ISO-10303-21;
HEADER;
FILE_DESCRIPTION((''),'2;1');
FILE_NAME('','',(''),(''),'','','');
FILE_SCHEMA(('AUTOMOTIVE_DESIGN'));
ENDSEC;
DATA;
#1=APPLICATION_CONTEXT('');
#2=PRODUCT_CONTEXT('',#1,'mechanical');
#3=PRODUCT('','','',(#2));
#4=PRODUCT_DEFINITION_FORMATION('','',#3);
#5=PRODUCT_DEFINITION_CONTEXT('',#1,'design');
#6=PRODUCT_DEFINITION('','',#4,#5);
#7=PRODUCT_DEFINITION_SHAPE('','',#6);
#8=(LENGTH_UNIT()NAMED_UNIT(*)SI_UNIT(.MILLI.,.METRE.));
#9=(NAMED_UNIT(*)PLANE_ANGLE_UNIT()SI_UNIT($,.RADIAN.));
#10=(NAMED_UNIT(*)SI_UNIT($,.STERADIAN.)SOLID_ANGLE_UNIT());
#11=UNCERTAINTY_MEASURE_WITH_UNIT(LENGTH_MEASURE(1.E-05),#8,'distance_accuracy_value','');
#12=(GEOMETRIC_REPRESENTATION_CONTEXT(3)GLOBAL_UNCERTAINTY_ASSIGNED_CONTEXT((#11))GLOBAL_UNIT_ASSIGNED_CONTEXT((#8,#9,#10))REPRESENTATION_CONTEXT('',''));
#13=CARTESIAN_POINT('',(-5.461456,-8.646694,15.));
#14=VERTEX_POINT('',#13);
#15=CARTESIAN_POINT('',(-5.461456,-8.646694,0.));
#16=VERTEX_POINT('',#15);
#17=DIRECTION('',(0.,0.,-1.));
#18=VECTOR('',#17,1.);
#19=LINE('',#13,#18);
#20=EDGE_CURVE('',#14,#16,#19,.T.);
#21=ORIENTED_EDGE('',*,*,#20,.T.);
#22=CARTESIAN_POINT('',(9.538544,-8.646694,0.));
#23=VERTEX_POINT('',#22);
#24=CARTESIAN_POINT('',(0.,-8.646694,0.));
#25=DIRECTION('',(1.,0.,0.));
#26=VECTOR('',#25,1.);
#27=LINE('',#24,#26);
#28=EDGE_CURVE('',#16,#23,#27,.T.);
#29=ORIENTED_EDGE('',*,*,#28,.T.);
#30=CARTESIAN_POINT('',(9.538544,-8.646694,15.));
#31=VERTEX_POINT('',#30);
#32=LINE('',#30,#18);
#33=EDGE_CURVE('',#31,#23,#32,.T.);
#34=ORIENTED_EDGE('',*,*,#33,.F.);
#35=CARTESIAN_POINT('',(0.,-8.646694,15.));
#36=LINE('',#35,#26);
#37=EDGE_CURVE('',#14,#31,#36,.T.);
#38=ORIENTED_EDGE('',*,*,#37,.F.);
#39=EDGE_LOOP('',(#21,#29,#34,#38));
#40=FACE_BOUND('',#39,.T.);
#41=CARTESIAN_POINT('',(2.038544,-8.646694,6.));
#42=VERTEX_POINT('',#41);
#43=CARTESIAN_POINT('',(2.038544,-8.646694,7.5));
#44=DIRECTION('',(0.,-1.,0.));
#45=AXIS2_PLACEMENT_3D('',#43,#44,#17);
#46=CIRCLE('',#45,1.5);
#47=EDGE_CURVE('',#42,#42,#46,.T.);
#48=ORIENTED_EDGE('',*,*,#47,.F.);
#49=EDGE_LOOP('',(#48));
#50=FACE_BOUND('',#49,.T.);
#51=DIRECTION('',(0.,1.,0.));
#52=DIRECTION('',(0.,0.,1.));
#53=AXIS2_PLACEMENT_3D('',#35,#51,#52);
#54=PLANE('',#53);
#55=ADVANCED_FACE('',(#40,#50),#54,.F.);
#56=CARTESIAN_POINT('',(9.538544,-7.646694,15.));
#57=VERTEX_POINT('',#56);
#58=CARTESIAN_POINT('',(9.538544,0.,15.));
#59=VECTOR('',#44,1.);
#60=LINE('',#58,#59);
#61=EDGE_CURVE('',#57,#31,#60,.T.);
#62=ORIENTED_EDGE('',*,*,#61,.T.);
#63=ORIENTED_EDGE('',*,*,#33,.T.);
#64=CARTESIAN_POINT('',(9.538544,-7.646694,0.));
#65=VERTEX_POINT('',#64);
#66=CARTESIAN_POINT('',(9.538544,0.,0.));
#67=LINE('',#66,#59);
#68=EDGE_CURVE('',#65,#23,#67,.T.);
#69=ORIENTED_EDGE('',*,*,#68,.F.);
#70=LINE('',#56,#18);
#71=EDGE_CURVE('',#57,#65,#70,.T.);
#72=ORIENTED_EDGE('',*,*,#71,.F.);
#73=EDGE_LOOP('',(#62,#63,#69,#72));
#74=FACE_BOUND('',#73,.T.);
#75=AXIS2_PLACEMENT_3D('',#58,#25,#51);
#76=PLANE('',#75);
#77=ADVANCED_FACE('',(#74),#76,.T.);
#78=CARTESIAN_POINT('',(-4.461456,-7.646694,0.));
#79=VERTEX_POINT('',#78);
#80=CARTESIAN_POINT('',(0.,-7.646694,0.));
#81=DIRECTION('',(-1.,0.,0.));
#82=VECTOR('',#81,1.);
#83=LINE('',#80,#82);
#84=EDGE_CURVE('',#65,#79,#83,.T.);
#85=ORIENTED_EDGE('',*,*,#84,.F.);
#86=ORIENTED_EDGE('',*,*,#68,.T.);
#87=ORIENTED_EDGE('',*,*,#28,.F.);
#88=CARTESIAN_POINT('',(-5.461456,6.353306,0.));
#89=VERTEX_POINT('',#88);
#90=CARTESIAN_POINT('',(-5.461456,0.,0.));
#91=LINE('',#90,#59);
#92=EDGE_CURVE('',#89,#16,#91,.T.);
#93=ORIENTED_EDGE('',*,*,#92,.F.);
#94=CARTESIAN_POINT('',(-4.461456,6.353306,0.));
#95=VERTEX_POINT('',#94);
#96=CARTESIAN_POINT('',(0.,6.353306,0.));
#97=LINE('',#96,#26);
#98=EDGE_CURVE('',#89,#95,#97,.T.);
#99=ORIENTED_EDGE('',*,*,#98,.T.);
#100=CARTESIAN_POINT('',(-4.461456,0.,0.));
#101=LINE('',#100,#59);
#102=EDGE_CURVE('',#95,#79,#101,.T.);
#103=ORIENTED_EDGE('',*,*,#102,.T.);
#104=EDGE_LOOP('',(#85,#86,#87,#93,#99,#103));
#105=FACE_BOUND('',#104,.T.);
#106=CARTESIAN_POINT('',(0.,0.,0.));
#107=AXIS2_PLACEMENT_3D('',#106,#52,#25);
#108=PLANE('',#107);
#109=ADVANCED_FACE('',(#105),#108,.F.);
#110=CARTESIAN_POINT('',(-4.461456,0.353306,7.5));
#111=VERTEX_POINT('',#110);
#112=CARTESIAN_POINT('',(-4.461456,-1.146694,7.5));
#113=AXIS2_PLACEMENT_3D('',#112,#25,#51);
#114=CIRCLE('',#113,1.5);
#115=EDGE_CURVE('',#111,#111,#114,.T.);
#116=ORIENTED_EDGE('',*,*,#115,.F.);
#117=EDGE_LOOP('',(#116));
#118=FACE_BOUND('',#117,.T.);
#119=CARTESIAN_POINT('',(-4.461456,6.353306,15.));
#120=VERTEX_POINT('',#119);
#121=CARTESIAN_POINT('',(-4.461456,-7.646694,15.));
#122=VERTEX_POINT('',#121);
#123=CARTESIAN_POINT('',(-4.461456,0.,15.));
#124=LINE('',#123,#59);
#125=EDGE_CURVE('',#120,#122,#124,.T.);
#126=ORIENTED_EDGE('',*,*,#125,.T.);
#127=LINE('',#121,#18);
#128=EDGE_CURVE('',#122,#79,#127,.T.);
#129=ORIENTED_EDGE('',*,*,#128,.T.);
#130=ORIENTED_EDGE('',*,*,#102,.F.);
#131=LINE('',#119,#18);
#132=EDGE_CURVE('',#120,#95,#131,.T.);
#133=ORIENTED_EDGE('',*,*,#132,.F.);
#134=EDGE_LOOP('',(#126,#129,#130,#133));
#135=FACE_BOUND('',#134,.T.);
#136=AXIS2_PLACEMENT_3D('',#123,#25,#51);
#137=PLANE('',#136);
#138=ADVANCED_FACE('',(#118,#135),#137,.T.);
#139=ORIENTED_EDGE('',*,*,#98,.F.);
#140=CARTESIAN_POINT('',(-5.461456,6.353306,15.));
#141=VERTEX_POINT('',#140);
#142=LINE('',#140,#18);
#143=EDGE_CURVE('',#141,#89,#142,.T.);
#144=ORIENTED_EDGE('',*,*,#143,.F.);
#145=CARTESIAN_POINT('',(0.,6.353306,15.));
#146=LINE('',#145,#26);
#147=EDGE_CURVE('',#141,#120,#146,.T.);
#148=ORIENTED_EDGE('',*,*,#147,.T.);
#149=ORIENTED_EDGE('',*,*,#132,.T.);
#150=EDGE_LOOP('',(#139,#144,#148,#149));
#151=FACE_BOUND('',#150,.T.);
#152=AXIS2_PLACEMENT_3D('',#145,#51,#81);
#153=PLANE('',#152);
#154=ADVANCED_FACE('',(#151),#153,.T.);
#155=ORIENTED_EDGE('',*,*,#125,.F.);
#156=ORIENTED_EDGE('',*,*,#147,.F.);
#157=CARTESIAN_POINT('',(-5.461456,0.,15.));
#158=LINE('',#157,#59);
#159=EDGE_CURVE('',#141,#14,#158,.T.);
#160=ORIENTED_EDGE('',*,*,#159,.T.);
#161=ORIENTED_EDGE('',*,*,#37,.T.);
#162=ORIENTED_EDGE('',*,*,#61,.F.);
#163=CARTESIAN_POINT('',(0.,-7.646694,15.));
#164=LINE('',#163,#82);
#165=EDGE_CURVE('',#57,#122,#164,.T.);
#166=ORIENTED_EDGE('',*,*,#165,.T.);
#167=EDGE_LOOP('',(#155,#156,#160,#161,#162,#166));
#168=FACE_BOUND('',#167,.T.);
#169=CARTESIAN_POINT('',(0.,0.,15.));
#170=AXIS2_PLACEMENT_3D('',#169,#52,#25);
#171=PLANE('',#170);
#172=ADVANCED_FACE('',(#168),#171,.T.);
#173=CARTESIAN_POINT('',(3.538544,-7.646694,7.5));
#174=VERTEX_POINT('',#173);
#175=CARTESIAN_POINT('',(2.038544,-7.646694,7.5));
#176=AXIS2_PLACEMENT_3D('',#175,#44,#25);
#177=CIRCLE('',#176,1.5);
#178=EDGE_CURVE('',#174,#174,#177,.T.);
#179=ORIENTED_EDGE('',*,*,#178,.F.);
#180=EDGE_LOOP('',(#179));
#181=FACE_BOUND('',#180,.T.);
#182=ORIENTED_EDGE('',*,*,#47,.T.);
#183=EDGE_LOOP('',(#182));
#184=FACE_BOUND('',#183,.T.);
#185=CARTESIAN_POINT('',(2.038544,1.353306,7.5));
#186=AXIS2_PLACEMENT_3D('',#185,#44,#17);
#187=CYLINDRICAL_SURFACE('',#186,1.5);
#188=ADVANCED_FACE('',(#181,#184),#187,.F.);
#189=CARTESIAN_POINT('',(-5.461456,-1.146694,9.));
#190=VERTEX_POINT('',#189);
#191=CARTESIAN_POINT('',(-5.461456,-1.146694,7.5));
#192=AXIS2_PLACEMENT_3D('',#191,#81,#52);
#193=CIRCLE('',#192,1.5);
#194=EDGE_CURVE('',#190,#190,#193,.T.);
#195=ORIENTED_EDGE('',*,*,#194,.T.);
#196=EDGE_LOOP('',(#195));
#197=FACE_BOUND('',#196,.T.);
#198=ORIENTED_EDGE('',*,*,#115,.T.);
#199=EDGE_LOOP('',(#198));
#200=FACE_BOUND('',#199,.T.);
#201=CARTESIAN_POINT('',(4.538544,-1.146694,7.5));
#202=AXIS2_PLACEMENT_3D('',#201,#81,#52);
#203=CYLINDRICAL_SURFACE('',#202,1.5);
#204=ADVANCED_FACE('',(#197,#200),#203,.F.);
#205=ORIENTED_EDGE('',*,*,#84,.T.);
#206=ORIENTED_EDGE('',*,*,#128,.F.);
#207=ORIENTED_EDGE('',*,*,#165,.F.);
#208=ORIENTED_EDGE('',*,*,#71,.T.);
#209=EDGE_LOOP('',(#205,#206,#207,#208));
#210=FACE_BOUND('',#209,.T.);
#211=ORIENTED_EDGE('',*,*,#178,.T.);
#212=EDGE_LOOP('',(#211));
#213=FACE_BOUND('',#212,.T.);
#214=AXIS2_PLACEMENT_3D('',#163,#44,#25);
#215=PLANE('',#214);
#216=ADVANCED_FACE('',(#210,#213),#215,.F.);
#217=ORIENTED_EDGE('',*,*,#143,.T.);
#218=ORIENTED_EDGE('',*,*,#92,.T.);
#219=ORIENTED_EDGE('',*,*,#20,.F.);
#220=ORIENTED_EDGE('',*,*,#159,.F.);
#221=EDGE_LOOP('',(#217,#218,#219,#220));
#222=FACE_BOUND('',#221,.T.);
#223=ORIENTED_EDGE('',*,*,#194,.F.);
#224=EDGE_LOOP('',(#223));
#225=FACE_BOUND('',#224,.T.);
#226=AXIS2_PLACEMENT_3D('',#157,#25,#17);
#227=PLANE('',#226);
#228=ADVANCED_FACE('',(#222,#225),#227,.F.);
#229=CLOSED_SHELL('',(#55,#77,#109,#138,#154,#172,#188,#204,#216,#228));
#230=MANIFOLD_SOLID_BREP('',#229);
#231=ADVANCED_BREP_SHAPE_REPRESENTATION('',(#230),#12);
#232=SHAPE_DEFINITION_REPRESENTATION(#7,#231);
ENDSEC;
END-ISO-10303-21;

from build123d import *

# Parameters (mm, degrees)
EXTRUDE_1_DEPTH     = 15
SKETCH_2_R          = 1.5
CUT_EXTRUDE_1_DEPTH = 10
SKETCH_3_R          = 1.5
CUT_EXTRUDE_2_DEPTH = 10


with BuildPart() as part:
    # ｽｹｯﾁ1 → ﾎﾞｽ - 押し出し1 (new body)
    with BuildSketch(Plane.XY):
        Polygon((-4.461455774, 6.353305785), (-5.461455774, 6.353305785), (-5.461455774, -8.646694215), (9.538544226, -8.646694215), (9.538544226, -7.646694215), (-4.461455774, -7.646694215), align=None)
    extrude(amount=EXTRUDE_1_DEPTH)

    # ｽｹｯﾁ2 → ｶｯﾄ - 押し出し1 (cut)
    with BuildSketch(Plane.ZY.offset(5.461455774)):
        with Locations((7.5, -1.146694215)):
            Circle(SKETCH_2_R)
    extrude(amount=-CUT_EXTRUDE_1_DEPTH, mode=Mode.SUBTRACT)

    # ｽｹｯﾁ3 → ｶｯﾄ - 押し出し2 (cut)
    with BuildSketch(Plane.XZ.offset(8.646694215)):
        with Locations((2.038544226, 7.5)):
            Circle(SKETCH_3_R)
    extrude(amount=-CUT_EXTRUDE_2_DEPTH, mode=Mode.SUBTRACT)


solid = part.part
